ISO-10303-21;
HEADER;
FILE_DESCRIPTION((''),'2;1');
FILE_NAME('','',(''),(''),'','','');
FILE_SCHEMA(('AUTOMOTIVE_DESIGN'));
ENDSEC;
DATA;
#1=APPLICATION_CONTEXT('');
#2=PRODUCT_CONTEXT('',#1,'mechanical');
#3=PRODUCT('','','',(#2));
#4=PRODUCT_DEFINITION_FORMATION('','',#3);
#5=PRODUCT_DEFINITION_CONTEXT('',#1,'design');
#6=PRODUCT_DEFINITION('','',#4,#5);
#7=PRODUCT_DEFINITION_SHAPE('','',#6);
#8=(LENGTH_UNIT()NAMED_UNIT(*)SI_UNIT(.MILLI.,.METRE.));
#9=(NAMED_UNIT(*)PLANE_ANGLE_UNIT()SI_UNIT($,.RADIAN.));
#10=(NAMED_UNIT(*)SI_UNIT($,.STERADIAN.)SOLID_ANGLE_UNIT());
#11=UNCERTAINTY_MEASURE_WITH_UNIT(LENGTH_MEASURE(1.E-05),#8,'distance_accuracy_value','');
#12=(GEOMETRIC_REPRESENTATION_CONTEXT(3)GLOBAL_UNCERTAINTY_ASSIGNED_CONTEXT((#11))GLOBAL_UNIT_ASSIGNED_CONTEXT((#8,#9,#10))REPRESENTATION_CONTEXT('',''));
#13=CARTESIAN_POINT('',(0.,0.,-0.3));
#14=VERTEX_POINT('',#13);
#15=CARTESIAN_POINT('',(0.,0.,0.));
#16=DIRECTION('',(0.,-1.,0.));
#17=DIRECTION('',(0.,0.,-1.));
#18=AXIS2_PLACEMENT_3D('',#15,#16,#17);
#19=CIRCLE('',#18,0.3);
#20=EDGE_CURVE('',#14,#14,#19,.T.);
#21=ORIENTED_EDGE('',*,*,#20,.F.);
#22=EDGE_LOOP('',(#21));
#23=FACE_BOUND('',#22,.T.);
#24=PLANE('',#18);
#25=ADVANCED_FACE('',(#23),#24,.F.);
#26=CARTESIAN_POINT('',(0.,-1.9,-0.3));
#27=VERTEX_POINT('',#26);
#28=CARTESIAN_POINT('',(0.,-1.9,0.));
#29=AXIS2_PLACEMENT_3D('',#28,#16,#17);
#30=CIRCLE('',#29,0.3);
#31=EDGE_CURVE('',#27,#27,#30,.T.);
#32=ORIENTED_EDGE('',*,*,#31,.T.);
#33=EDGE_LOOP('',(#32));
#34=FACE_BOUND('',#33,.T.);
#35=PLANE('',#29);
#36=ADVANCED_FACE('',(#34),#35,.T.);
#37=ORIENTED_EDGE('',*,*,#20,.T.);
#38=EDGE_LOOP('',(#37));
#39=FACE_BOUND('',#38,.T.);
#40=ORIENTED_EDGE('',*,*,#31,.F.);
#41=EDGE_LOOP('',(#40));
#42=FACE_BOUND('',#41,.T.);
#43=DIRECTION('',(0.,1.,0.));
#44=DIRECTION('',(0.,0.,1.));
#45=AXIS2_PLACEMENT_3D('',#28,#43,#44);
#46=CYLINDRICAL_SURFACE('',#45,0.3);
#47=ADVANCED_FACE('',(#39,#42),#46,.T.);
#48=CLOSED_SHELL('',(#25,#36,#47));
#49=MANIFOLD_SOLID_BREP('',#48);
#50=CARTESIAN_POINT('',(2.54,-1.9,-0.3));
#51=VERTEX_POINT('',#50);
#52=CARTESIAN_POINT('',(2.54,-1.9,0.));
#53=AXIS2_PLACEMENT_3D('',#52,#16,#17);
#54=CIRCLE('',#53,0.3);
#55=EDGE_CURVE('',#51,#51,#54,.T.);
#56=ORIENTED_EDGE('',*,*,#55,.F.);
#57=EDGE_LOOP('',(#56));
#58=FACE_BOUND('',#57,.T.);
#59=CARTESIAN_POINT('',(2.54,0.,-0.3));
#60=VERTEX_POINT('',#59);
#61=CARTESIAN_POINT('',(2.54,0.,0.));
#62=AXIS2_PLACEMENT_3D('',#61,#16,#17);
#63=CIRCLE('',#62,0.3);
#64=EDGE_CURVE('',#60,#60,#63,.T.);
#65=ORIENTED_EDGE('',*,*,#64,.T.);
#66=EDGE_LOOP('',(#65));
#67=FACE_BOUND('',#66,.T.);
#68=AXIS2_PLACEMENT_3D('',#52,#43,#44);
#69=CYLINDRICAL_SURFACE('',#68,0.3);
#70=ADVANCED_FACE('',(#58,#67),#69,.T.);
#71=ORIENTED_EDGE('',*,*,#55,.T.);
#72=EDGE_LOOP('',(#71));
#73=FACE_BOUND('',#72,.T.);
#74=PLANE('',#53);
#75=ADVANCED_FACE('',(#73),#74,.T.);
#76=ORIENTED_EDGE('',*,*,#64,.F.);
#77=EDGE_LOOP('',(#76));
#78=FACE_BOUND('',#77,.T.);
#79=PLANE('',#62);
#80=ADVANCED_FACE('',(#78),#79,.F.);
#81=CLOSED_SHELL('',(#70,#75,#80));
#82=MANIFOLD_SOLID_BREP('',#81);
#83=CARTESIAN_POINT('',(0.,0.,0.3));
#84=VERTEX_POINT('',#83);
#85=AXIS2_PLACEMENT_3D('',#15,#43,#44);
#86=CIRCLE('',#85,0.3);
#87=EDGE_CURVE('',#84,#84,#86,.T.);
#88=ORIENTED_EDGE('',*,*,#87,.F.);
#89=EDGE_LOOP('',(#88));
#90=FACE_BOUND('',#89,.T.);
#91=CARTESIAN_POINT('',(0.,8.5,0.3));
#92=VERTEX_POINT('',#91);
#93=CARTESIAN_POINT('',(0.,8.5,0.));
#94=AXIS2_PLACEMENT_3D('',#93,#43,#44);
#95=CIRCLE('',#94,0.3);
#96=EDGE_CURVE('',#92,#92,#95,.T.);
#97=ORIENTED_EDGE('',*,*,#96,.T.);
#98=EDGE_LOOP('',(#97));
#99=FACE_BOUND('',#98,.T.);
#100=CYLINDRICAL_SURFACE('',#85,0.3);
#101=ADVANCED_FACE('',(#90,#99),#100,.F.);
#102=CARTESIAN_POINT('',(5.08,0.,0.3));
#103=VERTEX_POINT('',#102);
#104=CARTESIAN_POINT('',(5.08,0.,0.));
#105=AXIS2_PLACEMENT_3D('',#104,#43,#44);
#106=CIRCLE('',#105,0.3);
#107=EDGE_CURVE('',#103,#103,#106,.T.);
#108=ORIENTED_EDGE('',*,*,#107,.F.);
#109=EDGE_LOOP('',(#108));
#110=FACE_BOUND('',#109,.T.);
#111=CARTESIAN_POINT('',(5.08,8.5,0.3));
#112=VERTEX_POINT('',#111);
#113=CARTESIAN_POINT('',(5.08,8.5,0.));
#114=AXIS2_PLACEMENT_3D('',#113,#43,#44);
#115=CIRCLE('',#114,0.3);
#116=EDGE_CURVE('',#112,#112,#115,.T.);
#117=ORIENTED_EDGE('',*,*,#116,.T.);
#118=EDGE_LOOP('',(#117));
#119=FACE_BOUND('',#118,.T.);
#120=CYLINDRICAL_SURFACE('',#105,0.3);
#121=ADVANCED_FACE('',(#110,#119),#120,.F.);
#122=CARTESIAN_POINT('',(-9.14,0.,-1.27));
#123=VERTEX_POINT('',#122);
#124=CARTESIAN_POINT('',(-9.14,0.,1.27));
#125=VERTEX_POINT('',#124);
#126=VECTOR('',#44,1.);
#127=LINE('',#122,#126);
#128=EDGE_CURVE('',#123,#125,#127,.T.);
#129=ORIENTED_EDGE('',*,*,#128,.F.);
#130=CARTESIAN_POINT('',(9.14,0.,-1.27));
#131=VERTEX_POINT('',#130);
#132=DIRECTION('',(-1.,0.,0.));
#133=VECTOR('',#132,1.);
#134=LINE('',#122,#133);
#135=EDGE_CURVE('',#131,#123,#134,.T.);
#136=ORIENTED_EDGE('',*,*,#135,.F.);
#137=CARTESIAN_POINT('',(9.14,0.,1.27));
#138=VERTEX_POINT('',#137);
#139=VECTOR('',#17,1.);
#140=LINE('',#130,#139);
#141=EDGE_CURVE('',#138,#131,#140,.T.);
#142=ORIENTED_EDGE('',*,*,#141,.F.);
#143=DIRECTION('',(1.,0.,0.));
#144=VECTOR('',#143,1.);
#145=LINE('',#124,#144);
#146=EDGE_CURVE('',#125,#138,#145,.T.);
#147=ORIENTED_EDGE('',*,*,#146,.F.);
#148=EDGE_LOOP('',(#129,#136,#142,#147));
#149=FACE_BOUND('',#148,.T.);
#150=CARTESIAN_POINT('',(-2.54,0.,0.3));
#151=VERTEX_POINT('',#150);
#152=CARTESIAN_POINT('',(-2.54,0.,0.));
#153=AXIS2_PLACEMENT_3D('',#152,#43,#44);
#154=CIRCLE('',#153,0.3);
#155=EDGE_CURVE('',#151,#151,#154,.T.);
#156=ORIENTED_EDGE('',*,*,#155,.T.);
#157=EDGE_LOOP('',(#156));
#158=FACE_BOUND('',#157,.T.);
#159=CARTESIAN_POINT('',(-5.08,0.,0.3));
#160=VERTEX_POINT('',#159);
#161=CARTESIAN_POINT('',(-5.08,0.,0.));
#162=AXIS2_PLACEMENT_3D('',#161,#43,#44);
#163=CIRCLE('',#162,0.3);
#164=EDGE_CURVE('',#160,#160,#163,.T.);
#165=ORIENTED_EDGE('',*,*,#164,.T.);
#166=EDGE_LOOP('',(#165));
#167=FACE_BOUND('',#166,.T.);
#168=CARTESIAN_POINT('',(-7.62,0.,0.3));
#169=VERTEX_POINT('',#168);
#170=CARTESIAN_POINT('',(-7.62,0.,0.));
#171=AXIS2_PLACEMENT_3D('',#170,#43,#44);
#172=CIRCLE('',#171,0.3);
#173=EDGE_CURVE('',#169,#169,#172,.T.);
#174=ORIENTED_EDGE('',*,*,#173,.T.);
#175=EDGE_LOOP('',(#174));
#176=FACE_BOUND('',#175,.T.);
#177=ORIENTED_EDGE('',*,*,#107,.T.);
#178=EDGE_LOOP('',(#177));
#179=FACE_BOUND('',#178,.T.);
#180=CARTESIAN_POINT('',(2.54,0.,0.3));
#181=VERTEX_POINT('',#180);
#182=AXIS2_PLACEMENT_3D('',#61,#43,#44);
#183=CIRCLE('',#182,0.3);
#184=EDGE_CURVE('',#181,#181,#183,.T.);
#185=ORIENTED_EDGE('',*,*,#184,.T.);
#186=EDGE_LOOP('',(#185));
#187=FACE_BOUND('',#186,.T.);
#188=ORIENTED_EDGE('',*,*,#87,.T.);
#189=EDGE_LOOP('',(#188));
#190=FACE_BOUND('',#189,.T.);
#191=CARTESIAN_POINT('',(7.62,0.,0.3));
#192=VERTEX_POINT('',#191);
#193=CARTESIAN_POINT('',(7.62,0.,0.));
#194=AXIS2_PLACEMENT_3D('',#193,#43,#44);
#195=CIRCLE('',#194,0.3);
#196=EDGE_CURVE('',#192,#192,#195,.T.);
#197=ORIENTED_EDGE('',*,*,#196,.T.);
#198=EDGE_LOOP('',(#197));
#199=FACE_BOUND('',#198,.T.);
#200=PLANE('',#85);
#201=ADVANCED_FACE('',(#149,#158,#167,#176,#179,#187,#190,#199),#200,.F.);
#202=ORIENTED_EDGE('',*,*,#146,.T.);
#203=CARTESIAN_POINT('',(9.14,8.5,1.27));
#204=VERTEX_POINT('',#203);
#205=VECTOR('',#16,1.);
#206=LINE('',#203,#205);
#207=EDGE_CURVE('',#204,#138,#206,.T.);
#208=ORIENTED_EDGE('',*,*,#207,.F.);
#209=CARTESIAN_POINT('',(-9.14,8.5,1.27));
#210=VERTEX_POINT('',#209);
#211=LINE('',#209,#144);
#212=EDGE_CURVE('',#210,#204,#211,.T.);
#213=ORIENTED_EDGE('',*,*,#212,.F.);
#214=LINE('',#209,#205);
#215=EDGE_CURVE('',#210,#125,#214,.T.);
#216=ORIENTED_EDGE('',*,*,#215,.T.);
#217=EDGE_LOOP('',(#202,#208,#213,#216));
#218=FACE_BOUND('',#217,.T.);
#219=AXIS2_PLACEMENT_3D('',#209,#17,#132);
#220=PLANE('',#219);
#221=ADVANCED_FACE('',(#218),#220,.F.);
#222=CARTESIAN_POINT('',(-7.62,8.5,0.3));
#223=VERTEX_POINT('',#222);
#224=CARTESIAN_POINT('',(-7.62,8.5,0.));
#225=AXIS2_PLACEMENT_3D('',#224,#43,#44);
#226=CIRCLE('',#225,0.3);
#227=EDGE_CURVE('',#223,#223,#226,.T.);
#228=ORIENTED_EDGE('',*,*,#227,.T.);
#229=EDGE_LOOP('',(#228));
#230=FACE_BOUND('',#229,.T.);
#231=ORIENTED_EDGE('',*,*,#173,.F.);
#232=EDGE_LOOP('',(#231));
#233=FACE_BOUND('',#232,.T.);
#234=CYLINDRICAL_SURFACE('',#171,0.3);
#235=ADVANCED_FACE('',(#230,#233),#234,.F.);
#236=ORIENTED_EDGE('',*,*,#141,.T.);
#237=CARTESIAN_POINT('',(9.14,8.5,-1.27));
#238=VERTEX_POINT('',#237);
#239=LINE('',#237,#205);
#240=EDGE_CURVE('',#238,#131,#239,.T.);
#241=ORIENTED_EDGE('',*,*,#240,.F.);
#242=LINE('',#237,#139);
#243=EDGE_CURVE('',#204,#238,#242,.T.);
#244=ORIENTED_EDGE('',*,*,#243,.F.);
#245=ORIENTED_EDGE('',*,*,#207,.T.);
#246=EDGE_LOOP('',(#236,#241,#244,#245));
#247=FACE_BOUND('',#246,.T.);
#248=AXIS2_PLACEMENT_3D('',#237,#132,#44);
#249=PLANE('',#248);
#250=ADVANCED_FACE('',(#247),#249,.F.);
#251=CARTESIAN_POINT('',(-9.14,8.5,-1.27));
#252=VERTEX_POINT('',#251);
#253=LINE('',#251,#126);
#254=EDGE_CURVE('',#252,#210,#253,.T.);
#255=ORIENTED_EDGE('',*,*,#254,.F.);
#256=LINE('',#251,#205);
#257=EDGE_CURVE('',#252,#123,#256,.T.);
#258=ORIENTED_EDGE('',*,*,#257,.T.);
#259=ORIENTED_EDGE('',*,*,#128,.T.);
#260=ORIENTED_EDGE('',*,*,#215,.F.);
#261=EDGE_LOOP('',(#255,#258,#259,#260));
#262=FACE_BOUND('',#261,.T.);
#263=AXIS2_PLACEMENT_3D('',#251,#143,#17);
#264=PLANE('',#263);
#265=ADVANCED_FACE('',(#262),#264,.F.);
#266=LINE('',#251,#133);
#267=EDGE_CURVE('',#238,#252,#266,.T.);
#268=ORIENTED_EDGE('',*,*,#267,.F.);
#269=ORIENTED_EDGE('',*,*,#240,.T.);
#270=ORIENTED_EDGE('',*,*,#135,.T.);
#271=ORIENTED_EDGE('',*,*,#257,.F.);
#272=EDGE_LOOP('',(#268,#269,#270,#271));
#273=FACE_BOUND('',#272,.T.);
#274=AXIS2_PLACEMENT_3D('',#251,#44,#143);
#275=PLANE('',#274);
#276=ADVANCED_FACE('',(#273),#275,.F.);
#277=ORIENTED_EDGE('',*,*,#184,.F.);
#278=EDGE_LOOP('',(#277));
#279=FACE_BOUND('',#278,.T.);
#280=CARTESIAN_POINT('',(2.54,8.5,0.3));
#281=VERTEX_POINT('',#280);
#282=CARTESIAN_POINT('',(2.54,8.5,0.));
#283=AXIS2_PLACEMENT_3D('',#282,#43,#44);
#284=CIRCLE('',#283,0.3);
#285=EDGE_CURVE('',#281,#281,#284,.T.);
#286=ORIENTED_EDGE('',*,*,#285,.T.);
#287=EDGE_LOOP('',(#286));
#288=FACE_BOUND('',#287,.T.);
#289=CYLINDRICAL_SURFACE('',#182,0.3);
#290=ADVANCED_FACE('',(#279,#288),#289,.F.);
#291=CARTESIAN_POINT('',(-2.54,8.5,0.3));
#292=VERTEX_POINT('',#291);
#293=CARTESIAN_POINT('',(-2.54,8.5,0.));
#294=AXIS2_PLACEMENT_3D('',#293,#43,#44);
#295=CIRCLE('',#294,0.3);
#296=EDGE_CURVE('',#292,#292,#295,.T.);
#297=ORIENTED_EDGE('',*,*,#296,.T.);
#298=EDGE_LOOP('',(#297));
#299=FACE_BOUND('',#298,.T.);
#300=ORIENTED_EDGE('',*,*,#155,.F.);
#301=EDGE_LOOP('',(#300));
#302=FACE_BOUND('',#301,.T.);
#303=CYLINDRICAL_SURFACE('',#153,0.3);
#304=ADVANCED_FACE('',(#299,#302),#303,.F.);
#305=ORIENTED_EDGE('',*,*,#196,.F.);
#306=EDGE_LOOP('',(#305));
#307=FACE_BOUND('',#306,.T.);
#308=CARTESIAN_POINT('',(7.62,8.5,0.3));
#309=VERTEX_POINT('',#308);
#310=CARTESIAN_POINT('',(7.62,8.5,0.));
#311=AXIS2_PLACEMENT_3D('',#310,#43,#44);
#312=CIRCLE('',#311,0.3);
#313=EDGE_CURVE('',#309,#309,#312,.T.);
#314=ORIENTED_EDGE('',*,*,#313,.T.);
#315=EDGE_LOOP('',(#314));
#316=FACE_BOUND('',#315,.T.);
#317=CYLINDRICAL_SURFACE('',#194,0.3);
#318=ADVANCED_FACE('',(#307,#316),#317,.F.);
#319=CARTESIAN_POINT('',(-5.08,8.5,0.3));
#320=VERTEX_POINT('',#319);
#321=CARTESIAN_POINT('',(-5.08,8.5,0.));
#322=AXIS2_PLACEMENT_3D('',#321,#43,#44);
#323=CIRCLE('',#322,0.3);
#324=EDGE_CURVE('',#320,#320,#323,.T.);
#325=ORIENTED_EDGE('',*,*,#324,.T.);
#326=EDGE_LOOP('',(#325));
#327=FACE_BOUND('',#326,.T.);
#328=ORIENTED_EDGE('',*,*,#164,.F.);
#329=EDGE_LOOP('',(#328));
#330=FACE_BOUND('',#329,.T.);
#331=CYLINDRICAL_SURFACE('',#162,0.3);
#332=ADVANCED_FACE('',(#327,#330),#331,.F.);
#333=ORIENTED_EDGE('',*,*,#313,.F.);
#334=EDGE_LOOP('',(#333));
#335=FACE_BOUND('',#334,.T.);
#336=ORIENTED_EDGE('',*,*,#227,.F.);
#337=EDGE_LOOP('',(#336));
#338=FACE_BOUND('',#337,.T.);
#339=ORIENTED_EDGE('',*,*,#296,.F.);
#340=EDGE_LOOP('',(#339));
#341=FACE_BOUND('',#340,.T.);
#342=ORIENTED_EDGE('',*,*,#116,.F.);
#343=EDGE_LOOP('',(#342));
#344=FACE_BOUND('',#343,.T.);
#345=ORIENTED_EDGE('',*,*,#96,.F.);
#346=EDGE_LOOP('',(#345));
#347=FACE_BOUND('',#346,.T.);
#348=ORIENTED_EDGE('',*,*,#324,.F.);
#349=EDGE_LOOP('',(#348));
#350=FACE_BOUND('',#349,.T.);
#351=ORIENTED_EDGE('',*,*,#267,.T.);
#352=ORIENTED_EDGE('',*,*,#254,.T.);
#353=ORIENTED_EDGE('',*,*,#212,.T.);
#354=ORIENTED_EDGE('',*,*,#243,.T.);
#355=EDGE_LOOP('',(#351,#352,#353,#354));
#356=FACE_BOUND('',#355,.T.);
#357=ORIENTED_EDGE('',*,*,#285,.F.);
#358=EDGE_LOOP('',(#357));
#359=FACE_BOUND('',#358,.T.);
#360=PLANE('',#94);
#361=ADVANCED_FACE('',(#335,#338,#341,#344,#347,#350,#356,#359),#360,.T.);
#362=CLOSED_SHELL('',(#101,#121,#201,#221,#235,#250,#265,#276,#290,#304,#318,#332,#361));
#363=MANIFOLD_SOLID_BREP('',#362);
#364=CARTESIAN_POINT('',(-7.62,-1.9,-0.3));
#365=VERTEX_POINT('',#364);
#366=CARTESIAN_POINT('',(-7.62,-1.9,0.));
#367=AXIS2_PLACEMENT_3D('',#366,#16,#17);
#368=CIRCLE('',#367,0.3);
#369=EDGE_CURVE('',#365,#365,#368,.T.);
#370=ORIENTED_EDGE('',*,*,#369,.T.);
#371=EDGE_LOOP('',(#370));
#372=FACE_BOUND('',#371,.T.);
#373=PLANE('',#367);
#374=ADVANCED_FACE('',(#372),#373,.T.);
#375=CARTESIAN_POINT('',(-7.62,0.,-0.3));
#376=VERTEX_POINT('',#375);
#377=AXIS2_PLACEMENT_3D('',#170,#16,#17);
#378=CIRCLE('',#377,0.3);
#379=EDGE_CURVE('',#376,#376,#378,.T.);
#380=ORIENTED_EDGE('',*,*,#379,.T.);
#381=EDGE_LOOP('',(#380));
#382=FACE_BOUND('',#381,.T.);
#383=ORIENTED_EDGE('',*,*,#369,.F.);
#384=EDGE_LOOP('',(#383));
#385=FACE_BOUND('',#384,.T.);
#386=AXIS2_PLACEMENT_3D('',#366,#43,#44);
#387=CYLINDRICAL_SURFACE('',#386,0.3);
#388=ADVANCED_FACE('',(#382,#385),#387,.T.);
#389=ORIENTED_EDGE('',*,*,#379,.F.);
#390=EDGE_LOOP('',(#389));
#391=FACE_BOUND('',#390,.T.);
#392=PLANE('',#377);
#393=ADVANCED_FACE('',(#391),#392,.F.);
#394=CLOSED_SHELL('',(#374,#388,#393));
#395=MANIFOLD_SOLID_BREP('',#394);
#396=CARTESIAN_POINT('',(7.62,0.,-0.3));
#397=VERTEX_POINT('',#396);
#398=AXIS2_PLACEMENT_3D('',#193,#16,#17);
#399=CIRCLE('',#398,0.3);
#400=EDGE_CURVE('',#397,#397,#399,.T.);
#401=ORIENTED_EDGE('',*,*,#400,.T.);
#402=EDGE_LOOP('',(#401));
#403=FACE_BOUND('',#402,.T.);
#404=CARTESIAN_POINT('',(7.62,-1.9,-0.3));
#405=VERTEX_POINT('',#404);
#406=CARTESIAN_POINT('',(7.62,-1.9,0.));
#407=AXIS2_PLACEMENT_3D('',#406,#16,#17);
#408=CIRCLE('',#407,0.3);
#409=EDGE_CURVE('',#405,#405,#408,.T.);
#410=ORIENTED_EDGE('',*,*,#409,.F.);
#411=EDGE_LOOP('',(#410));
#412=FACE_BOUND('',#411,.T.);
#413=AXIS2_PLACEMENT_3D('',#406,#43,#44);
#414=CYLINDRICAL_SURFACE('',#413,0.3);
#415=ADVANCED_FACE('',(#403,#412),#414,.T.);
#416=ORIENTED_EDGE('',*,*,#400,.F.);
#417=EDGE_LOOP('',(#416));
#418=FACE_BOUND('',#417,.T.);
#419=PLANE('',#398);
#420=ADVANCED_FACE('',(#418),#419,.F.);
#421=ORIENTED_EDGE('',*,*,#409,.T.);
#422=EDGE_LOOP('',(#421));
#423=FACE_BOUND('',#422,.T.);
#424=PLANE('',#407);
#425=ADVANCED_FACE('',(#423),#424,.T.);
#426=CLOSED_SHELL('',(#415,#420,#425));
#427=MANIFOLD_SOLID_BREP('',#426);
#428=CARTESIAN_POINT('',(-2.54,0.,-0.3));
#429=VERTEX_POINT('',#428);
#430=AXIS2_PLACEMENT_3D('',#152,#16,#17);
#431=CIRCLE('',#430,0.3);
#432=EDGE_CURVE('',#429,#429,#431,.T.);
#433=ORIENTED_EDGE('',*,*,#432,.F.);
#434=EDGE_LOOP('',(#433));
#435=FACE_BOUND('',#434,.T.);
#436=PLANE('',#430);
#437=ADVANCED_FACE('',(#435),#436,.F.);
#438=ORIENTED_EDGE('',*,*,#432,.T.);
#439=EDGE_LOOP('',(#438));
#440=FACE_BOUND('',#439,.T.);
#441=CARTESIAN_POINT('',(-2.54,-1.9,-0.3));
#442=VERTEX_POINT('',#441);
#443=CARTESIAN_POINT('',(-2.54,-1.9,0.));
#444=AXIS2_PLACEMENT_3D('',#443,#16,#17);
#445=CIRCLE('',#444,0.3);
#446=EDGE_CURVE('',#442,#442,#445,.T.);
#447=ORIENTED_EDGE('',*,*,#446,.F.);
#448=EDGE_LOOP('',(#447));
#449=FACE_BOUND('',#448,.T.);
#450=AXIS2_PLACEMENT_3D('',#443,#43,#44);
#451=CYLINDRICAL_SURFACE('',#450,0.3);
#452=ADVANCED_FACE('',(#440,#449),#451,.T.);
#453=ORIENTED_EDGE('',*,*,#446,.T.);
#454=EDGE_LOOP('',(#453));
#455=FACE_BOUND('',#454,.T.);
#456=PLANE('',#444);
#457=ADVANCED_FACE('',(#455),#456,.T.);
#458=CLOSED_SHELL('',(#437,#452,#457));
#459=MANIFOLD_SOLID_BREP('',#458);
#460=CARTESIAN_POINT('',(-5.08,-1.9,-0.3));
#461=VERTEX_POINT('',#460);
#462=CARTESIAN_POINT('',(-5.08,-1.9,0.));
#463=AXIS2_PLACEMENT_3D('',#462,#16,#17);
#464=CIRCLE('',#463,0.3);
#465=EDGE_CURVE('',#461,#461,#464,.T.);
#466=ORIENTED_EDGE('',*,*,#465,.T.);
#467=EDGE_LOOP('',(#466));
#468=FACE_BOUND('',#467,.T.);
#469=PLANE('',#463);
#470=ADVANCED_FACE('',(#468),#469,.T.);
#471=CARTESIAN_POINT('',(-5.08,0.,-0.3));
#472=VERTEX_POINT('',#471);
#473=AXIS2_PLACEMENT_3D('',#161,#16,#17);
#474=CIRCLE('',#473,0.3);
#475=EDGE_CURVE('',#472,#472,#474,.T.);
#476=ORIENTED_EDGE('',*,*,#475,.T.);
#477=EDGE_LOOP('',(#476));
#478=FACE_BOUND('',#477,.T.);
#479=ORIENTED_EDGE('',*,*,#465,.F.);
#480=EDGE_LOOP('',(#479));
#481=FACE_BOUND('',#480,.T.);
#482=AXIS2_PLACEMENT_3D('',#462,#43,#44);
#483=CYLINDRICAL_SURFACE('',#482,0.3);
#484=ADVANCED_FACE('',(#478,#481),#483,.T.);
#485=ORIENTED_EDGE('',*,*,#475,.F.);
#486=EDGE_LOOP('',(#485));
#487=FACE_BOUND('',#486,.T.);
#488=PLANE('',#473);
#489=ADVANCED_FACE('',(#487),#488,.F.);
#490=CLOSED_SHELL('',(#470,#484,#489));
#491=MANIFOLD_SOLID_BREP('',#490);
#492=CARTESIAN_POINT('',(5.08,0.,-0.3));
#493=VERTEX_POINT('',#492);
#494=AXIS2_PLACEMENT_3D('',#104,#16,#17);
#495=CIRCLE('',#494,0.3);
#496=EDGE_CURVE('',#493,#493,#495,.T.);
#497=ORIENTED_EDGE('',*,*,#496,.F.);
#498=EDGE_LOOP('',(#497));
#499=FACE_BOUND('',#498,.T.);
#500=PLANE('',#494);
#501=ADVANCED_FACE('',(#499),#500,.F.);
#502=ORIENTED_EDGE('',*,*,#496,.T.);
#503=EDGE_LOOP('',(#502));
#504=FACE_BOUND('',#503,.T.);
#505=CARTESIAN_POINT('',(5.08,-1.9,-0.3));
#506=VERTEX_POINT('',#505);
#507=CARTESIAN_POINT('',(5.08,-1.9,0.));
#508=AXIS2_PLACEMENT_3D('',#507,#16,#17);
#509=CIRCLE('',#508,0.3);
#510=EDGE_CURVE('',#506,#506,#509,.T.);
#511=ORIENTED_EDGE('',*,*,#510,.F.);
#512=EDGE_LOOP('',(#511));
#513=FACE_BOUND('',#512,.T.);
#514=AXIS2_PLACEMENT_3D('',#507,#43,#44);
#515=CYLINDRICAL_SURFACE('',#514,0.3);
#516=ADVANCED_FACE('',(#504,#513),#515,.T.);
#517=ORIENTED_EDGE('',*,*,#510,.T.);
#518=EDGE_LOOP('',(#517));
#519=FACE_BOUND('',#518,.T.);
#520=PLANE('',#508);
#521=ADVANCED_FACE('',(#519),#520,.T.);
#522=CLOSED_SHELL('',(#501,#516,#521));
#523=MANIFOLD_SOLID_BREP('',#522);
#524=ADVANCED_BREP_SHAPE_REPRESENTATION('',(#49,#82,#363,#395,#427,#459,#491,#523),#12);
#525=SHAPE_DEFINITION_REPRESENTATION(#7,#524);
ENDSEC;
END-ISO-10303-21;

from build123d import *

# Parameters (mm, degrees)
SKETCH_1_W          = 18.28
SKETCH_1_H          = 2.54
EXTRUDE_1_DEPTH     = 8.5
SKETCH_2_R          = 0.3
CUT_EXTRUDE_1_DEPTH = 8.5
SKETCH_3_R          = 0.3
EXTRUDE_2_DEPTH     = 1.9
EXTRUDE_2_2_DEPTH   = 1.9
EXTRUDE_2_3_DEPTH   = 1.9
EXTRUDE_2_4_DEPTH   = 1.9
EXTRUDE_2_5_DEPTH   = 1.9
EXTRUDE_2_6_DEPTH   = 1.9
EXTRUDE_2_7_DEPTH   = 1.9


with BuildPart() as part:
    # Эскиз1 → Бобышка-Вытянуть1 (new body)
    with BuildSketch(Plane(origin=(0, 0, 0), x_dir=(1, 0, 0), z_dir=(0, 1, 0))):
        Rectangle(SKETCH_1_W, SKETCH_1_H)
    extrude(amount=EXTRUDE_1_DEPTH)

    # Эскиз2 → Вырез-Вытянуть1 (cut)
    with BuildSketch(Plane(origin=(0, 8.5, 0), x_dir=(1, 0, 0), z_dir=(0, 1, 0))):
        with Locations((-7.62, 0)):
            Circle(SKETCH_2_R)
        with Locations((-5.08, 0)):
            Circle(SKETCH_2_R)
        with Locations((-2.54, 0)):
            Circle(SKETCH_2_R)
        Circle(SKETCH_2_R)
        with Locations((2.54, 0)):
            Circle(SKETCH_2_R)
        with Locations((5.08, 0)):
            Circle(SKETCH_2_R)
        with Locations((7.62, 0)):
            Circle(SKETCH_2_R)
    extrude(amount=-CUT_EXTRUDE_1_DEPTH, mode=Mode.SUBTRACT)


with BuildPart() as body_2:
    # Эскиз3 → Бобышка-Вытянуть2 (new body)
    with BuildSketch(Plane.XZ):
        with Locations((-7.62, 0)):
            Circle(SKETCH_3_R)
    extrude(amount=EXTRUDE_2_DEPTH)


with BuildPart() as body_3:
    # Эскиз3 → Extrude 2 2 (new body)
    with BuildSketch(Plane.XZ):
        with Locations((-5.08, 0)):
            Circle(SKETCH_3_R)
    extrude(amount=EXTRUDE_2_2_DEPTH)


with BuildPart() as body_4:
    # Эскиз3 → Extrude 2 3 (new body)
    with BuildSketch(Plane.XZ):
        with Locations((-2.54, 0)):
            Circle(SKETCH_3_R)
    extrude(amount=EXTRUDE_2_3_DEPTH)


with BuildPart() as body_5:
    # Эскиз3 → Extrude 2 4 (new body)
    with BuildSketch(Plane.XZ):
        Circle(SKETCH_3_R)
    extrude(amount=EXTRUDE_2_4_DEPTH)


with BuildPart() as body_6:
    # Эскиз3 → Extrude 2 5 (new body)
    with BuildSketch(Plane.XZ):
        with Locations((2.54, 0)):
            Circle(SKETCH_3_R)
    extrude(amount=EXTRUDE_2_5_DEPTH)


with BuildPart() as body_7:
    # Эскиз3 → Extrude 2 6 (new body)
    with BuildSketch(Plane.XZ):
        with Locations((5.08, 0)):
            Circle(SKETCH_3_R)
    extrude(amount=EXTRUDE_2_6_DEPTH)


with BuildPart() as body_8:
    # Эскиз3 → Extrude 2 7 (new body)
    with BuildSketch(Plane.XZ):
        with Locations((7.62, 0)):
            Circle(SKETCH_3_R)
    extrude(amount=EXTRUDE_2_7_DEPTH)


solid = Compound([part.part, body_2.part, body_3.part, body_4.part, body_5.part, body_6.part, body_7.part, body_8.part])
